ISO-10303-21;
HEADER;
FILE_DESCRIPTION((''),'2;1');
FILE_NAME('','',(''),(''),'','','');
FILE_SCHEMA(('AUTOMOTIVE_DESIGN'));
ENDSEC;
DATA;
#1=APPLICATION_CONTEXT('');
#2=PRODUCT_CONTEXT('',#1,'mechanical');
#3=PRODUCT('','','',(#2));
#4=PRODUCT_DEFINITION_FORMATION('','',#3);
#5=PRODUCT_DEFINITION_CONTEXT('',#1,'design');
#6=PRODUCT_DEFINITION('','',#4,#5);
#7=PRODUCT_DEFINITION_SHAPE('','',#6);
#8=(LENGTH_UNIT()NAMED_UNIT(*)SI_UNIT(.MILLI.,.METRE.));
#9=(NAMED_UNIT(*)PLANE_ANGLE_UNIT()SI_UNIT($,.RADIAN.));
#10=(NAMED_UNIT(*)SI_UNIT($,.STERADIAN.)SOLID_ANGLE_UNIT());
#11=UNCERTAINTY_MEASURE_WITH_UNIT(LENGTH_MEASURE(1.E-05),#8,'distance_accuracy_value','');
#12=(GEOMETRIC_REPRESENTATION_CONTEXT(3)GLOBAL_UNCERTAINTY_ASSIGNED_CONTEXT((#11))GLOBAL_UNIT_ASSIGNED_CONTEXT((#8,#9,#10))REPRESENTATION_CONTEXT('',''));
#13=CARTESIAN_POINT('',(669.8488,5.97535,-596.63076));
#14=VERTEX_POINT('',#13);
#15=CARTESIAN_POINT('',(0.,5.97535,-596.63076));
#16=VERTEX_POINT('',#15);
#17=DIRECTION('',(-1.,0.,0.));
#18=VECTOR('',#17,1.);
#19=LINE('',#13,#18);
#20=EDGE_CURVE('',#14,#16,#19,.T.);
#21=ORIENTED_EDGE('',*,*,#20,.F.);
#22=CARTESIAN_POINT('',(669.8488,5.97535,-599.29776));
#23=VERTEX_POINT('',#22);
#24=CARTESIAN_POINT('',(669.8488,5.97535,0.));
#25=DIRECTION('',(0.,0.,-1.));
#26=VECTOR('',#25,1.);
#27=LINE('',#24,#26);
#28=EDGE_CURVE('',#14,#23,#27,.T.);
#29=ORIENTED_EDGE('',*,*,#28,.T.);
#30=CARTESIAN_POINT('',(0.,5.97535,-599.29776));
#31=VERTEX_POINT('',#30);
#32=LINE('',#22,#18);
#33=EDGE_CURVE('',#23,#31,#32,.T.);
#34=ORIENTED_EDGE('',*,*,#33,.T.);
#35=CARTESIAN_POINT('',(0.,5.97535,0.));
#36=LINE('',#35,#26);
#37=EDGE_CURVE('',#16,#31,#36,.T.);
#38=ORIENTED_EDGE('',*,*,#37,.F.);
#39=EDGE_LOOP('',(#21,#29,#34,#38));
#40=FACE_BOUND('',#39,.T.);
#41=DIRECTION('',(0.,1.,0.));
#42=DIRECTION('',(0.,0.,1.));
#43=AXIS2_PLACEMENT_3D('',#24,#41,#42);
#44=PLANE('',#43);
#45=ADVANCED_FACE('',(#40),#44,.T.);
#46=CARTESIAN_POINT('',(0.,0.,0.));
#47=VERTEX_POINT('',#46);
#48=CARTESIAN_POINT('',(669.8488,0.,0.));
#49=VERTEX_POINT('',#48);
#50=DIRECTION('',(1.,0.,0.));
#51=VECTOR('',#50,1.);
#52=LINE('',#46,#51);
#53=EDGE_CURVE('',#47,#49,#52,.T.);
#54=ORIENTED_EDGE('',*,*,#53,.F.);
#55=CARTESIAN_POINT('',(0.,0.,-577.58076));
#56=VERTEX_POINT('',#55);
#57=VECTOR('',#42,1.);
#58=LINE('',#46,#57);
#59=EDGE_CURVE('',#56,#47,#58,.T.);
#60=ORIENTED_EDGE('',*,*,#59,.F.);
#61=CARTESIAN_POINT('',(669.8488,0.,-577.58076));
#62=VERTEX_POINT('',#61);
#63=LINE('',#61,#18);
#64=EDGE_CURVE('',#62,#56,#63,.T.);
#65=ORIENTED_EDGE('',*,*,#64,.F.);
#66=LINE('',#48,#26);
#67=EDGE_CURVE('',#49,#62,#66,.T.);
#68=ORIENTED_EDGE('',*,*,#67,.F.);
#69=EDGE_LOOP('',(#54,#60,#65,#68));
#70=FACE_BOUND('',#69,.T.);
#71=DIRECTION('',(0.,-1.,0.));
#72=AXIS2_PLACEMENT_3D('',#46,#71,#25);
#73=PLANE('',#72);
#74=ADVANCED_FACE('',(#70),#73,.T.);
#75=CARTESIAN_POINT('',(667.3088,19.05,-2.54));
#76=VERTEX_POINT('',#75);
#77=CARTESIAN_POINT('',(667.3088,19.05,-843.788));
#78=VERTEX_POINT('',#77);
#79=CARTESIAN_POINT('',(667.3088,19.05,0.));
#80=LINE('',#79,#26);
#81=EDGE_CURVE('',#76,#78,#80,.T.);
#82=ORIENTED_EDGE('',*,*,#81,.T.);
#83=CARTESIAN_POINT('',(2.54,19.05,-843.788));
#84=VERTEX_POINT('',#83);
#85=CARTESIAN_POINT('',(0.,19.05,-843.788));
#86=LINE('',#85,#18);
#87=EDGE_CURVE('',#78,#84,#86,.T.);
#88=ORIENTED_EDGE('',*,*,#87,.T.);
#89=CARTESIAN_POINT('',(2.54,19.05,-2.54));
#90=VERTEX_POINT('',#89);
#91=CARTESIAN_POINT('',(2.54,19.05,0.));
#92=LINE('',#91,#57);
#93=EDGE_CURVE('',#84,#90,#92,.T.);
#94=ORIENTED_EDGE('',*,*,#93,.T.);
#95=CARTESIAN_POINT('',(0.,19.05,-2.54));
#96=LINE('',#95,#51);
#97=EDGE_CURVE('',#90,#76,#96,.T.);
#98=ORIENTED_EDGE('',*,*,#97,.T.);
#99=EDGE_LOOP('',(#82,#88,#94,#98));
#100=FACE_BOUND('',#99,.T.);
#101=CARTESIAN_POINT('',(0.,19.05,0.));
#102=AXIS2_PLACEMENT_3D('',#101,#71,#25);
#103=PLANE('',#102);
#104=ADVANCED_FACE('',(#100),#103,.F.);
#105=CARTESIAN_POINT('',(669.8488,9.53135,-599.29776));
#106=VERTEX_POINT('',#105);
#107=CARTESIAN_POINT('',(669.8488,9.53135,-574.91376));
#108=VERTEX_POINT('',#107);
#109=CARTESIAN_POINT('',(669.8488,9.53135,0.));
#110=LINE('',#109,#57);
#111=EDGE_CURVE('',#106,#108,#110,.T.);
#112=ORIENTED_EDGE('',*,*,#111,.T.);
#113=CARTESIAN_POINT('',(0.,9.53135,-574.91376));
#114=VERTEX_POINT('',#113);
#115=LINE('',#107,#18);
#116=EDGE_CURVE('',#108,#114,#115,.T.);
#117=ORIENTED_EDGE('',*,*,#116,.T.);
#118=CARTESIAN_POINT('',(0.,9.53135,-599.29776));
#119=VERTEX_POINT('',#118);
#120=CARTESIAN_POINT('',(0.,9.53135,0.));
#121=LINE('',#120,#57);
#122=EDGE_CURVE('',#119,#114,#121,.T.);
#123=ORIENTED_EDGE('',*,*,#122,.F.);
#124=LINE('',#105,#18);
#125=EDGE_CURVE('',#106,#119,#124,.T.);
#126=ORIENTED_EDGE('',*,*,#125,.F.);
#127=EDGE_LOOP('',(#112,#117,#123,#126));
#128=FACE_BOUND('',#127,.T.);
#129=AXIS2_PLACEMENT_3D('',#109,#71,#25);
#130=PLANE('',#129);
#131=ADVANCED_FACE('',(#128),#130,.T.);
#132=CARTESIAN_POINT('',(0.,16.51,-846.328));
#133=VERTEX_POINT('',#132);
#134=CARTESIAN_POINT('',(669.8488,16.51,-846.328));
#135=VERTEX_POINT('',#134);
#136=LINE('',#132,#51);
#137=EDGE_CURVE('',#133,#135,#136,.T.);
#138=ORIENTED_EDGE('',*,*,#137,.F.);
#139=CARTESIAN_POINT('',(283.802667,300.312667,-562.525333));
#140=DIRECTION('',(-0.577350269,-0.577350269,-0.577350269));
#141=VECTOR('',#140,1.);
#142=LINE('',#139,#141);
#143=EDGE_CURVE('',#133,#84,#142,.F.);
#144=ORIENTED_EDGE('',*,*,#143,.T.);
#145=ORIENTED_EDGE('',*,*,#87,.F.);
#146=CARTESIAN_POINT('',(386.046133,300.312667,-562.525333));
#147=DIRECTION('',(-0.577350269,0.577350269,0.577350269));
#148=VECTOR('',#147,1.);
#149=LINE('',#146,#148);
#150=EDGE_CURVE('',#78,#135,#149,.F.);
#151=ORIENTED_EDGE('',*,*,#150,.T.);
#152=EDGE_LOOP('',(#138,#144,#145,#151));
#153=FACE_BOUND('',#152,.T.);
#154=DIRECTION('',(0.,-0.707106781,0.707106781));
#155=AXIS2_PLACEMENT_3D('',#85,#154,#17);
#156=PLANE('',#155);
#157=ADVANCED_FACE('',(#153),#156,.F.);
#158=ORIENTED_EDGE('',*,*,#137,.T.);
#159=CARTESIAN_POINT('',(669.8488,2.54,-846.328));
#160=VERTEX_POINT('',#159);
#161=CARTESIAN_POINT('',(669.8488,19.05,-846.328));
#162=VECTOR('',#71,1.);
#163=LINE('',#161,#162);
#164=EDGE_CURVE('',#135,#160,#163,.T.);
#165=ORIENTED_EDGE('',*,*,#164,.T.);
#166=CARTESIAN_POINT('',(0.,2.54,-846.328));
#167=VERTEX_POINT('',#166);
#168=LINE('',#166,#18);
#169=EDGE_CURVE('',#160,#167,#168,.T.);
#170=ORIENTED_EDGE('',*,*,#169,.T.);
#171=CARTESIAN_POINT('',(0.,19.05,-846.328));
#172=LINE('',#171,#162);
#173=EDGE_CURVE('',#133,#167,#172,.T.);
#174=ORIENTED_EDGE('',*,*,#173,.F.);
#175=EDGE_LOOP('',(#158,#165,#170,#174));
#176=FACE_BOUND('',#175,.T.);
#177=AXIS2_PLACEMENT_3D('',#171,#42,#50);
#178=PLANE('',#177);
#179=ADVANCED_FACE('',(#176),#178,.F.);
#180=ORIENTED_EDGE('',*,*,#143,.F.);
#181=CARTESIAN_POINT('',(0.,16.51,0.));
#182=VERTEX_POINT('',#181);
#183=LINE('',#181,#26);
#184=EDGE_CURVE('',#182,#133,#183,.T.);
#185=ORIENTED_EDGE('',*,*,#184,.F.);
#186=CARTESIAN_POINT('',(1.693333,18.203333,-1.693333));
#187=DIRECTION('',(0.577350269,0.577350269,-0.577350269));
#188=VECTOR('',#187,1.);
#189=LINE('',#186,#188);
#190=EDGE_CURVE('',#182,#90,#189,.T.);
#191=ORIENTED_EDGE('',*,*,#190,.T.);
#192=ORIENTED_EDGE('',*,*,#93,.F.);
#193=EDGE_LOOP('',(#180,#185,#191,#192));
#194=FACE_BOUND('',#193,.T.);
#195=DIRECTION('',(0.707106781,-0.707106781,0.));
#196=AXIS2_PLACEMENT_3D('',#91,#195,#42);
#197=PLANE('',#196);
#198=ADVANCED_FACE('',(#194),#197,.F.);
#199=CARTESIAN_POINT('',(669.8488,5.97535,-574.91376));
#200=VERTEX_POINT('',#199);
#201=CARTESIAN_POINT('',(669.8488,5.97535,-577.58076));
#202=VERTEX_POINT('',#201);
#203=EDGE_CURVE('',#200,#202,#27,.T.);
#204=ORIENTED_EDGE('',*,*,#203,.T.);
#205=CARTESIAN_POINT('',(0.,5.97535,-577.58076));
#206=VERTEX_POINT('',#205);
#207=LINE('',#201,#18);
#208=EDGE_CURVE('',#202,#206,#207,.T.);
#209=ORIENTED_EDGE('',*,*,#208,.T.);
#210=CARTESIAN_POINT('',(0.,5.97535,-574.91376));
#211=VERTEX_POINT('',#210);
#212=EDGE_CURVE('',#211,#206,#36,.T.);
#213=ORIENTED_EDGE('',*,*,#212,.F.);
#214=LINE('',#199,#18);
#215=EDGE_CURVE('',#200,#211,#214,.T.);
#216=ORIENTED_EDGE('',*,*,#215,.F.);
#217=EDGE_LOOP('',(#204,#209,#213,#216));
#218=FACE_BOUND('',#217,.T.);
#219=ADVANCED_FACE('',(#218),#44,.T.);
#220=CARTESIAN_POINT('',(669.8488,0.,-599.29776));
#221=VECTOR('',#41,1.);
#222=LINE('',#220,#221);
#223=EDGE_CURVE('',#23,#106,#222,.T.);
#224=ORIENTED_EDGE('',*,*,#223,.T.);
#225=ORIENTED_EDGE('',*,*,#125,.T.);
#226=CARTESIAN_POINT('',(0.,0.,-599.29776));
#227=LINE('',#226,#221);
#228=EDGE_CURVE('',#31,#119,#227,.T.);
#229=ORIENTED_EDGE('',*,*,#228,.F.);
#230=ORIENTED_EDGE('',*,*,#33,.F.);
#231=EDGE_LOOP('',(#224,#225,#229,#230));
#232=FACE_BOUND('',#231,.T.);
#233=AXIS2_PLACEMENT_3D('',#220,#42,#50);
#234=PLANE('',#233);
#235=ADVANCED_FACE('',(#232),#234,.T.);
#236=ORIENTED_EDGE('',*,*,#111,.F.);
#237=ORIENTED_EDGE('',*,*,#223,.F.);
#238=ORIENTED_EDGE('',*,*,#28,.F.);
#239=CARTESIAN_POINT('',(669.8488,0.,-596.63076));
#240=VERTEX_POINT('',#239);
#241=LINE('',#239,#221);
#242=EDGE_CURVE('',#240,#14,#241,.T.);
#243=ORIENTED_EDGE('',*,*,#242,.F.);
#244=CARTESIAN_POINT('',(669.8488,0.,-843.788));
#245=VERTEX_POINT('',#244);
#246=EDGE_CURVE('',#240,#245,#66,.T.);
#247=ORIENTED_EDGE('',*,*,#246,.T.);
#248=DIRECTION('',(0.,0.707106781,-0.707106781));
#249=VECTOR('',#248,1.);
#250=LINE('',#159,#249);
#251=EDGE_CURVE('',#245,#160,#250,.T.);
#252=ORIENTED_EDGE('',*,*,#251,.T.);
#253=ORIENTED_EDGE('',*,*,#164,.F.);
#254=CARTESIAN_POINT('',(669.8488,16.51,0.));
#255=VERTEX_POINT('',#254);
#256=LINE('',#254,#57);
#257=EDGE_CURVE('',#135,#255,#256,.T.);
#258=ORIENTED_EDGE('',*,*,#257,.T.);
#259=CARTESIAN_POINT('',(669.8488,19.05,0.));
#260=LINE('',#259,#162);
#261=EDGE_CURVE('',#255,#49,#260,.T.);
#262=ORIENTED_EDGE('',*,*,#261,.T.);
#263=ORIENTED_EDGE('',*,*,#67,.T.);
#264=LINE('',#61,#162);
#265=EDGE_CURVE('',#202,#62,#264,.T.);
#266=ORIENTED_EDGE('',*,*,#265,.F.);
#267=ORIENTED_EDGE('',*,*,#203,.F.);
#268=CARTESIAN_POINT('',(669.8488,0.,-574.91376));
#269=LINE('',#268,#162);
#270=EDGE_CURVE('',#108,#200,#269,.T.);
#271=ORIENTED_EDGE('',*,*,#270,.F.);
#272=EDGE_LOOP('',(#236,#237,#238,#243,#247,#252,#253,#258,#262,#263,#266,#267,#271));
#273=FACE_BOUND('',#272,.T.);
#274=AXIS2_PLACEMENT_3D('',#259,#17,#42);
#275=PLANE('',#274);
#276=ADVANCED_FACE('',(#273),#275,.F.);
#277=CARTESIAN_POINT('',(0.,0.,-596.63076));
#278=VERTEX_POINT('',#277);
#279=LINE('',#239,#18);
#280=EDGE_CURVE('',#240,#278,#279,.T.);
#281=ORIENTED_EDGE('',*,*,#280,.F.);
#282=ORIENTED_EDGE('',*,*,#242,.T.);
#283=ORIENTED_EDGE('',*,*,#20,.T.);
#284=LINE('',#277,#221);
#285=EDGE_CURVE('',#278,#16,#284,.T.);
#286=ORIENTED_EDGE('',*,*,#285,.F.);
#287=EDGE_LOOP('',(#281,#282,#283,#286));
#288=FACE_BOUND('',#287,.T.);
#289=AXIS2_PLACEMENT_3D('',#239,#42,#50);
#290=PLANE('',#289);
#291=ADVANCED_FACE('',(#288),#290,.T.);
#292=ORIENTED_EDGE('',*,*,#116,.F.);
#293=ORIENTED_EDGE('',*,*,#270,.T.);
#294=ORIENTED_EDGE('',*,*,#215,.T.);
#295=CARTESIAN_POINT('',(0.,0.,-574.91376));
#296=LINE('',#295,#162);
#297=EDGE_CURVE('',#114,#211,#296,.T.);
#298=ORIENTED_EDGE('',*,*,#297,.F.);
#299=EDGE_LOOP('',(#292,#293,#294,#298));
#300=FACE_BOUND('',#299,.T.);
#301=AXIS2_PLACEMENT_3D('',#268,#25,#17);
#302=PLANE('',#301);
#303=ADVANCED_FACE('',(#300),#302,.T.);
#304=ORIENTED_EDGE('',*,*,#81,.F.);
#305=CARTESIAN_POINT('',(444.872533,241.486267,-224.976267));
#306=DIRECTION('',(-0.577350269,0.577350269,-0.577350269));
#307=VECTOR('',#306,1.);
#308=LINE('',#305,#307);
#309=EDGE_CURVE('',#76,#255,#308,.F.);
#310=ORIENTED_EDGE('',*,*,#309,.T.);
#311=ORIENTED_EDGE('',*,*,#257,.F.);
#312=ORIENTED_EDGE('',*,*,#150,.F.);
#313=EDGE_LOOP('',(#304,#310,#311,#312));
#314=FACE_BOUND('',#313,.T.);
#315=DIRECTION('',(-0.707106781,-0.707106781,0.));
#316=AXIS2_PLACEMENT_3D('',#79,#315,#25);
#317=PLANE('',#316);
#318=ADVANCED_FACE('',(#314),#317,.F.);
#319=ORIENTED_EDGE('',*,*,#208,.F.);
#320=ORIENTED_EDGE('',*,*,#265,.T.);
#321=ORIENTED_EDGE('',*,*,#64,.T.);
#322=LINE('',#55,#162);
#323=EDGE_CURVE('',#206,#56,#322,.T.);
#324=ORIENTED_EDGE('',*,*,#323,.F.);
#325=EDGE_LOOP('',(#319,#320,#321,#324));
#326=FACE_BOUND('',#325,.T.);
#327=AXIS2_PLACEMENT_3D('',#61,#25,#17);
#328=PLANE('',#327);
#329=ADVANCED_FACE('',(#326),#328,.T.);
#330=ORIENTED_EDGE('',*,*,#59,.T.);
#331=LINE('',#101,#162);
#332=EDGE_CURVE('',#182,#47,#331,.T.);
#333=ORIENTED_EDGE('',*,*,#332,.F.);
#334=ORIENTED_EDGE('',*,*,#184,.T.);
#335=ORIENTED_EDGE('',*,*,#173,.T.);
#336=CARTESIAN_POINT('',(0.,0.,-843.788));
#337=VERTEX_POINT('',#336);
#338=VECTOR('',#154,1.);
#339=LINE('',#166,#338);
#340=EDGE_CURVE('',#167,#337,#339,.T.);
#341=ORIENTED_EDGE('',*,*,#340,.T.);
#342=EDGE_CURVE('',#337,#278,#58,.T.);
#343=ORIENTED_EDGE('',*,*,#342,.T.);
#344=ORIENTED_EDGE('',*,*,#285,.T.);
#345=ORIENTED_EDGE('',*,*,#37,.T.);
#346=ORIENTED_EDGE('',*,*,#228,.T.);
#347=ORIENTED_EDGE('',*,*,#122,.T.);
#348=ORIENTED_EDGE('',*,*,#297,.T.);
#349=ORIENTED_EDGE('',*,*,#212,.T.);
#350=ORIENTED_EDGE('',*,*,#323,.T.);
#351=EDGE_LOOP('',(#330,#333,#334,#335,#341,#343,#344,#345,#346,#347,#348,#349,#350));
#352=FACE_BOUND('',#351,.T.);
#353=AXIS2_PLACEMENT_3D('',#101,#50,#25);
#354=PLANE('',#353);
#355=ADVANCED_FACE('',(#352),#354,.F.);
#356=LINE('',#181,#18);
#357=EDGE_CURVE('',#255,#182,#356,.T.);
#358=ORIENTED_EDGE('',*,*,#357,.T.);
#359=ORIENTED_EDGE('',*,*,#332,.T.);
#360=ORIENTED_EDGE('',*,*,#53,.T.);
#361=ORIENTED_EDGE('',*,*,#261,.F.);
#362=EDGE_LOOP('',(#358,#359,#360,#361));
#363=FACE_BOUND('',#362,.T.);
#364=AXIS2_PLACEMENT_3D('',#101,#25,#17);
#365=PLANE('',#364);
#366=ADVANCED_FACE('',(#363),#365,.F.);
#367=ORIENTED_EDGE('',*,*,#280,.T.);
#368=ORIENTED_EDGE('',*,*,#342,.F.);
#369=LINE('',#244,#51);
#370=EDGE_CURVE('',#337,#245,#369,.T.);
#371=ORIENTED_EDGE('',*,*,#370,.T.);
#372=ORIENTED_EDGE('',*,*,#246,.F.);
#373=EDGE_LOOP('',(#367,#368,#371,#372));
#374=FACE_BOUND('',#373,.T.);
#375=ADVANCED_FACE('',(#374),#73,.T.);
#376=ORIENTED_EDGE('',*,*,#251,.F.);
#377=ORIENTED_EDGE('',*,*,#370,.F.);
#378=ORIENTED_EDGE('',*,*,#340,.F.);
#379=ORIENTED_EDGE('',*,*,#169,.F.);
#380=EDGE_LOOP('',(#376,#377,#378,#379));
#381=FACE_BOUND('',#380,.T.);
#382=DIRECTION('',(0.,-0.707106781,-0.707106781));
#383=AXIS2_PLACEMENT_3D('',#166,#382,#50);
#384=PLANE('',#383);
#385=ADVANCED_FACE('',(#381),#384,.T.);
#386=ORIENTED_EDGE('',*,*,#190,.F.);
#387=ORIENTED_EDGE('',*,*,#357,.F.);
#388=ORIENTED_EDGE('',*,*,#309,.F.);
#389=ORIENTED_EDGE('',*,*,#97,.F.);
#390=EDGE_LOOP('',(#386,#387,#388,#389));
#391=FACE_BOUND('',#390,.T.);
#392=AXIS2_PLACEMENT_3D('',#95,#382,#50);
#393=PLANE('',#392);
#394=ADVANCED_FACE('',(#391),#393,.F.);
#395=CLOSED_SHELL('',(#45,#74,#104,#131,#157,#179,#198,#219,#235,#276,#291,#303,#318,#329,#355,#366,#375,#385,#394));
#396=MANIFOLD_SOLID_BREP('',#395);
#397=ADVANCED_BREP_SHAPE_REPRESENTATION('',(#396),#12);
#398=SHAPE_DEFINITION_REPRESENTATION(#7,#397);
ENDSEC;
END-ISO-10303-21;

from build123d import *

# Parameters (mm, degrees)
SKETCH1_W           = 669.8488
SKETCH1_H           = 846.328
BOSS_EXTRUDE1_DEPTH = 19.05
CHAMFER1_SIZE       = 2.54
CHAMFER2_SIZE       = 2.54
CUT_EXTRUDE2_DEPTH  = 670.8488


with BuildPart() as part:
    # Sketch1 → Boss-Extrude1 (new body)
    with BuildSketch(Plane(origin=(0, 0, 0), x_dir=(1, 0, 0), z_dir=(0, 1, 0))):
        with Locations((334.9244, 423.164)):
            Rectangle(SKETCH1_W, SKETCH1_H)
    extrude(amount=BOSS_EXTRUDE1_DEPTH)

    # Chamfer1
    chamfer1_edges = [part.edges().sort_by_distance(p)[0] for p in [
        (669.8488, 19.05, -423.164),
        (334.9244, 19.05, -846.328),
        (0, 19.05, -423.164),
        (334.9244, 19.05, 0),
    ]]
    chamfer(chamfer1_edges, length=CHAMFER1_SIZE)

    # Chamfer2
    chamfer2_edges = [part.edges().sort_by_distance(p)[0] for p in [
        (334.9244, 0, -846.328),
    ]]
    chamfer(chamfer2_edges, length=CHAMFER2_SIZE)

    # Sketch3 → Cut-Extrude2 (cut, through all)
    with BuildSketch(Plane.ZY):
        Polygon((-596.63076, 5.97535), (-596.63076, 0), (-577.58076, 0), (-577.58076, 5.97535), (-574.91376, 5.97535), (-574.91376, 9.53135), (-599.29776, 9.53135), (-599.29776, 5.97535), align=None)
    extrude(amount=-CUT_EXTRUDE2_DEPTH, mode=Mode.SUBTRACT)


solid = part.part
